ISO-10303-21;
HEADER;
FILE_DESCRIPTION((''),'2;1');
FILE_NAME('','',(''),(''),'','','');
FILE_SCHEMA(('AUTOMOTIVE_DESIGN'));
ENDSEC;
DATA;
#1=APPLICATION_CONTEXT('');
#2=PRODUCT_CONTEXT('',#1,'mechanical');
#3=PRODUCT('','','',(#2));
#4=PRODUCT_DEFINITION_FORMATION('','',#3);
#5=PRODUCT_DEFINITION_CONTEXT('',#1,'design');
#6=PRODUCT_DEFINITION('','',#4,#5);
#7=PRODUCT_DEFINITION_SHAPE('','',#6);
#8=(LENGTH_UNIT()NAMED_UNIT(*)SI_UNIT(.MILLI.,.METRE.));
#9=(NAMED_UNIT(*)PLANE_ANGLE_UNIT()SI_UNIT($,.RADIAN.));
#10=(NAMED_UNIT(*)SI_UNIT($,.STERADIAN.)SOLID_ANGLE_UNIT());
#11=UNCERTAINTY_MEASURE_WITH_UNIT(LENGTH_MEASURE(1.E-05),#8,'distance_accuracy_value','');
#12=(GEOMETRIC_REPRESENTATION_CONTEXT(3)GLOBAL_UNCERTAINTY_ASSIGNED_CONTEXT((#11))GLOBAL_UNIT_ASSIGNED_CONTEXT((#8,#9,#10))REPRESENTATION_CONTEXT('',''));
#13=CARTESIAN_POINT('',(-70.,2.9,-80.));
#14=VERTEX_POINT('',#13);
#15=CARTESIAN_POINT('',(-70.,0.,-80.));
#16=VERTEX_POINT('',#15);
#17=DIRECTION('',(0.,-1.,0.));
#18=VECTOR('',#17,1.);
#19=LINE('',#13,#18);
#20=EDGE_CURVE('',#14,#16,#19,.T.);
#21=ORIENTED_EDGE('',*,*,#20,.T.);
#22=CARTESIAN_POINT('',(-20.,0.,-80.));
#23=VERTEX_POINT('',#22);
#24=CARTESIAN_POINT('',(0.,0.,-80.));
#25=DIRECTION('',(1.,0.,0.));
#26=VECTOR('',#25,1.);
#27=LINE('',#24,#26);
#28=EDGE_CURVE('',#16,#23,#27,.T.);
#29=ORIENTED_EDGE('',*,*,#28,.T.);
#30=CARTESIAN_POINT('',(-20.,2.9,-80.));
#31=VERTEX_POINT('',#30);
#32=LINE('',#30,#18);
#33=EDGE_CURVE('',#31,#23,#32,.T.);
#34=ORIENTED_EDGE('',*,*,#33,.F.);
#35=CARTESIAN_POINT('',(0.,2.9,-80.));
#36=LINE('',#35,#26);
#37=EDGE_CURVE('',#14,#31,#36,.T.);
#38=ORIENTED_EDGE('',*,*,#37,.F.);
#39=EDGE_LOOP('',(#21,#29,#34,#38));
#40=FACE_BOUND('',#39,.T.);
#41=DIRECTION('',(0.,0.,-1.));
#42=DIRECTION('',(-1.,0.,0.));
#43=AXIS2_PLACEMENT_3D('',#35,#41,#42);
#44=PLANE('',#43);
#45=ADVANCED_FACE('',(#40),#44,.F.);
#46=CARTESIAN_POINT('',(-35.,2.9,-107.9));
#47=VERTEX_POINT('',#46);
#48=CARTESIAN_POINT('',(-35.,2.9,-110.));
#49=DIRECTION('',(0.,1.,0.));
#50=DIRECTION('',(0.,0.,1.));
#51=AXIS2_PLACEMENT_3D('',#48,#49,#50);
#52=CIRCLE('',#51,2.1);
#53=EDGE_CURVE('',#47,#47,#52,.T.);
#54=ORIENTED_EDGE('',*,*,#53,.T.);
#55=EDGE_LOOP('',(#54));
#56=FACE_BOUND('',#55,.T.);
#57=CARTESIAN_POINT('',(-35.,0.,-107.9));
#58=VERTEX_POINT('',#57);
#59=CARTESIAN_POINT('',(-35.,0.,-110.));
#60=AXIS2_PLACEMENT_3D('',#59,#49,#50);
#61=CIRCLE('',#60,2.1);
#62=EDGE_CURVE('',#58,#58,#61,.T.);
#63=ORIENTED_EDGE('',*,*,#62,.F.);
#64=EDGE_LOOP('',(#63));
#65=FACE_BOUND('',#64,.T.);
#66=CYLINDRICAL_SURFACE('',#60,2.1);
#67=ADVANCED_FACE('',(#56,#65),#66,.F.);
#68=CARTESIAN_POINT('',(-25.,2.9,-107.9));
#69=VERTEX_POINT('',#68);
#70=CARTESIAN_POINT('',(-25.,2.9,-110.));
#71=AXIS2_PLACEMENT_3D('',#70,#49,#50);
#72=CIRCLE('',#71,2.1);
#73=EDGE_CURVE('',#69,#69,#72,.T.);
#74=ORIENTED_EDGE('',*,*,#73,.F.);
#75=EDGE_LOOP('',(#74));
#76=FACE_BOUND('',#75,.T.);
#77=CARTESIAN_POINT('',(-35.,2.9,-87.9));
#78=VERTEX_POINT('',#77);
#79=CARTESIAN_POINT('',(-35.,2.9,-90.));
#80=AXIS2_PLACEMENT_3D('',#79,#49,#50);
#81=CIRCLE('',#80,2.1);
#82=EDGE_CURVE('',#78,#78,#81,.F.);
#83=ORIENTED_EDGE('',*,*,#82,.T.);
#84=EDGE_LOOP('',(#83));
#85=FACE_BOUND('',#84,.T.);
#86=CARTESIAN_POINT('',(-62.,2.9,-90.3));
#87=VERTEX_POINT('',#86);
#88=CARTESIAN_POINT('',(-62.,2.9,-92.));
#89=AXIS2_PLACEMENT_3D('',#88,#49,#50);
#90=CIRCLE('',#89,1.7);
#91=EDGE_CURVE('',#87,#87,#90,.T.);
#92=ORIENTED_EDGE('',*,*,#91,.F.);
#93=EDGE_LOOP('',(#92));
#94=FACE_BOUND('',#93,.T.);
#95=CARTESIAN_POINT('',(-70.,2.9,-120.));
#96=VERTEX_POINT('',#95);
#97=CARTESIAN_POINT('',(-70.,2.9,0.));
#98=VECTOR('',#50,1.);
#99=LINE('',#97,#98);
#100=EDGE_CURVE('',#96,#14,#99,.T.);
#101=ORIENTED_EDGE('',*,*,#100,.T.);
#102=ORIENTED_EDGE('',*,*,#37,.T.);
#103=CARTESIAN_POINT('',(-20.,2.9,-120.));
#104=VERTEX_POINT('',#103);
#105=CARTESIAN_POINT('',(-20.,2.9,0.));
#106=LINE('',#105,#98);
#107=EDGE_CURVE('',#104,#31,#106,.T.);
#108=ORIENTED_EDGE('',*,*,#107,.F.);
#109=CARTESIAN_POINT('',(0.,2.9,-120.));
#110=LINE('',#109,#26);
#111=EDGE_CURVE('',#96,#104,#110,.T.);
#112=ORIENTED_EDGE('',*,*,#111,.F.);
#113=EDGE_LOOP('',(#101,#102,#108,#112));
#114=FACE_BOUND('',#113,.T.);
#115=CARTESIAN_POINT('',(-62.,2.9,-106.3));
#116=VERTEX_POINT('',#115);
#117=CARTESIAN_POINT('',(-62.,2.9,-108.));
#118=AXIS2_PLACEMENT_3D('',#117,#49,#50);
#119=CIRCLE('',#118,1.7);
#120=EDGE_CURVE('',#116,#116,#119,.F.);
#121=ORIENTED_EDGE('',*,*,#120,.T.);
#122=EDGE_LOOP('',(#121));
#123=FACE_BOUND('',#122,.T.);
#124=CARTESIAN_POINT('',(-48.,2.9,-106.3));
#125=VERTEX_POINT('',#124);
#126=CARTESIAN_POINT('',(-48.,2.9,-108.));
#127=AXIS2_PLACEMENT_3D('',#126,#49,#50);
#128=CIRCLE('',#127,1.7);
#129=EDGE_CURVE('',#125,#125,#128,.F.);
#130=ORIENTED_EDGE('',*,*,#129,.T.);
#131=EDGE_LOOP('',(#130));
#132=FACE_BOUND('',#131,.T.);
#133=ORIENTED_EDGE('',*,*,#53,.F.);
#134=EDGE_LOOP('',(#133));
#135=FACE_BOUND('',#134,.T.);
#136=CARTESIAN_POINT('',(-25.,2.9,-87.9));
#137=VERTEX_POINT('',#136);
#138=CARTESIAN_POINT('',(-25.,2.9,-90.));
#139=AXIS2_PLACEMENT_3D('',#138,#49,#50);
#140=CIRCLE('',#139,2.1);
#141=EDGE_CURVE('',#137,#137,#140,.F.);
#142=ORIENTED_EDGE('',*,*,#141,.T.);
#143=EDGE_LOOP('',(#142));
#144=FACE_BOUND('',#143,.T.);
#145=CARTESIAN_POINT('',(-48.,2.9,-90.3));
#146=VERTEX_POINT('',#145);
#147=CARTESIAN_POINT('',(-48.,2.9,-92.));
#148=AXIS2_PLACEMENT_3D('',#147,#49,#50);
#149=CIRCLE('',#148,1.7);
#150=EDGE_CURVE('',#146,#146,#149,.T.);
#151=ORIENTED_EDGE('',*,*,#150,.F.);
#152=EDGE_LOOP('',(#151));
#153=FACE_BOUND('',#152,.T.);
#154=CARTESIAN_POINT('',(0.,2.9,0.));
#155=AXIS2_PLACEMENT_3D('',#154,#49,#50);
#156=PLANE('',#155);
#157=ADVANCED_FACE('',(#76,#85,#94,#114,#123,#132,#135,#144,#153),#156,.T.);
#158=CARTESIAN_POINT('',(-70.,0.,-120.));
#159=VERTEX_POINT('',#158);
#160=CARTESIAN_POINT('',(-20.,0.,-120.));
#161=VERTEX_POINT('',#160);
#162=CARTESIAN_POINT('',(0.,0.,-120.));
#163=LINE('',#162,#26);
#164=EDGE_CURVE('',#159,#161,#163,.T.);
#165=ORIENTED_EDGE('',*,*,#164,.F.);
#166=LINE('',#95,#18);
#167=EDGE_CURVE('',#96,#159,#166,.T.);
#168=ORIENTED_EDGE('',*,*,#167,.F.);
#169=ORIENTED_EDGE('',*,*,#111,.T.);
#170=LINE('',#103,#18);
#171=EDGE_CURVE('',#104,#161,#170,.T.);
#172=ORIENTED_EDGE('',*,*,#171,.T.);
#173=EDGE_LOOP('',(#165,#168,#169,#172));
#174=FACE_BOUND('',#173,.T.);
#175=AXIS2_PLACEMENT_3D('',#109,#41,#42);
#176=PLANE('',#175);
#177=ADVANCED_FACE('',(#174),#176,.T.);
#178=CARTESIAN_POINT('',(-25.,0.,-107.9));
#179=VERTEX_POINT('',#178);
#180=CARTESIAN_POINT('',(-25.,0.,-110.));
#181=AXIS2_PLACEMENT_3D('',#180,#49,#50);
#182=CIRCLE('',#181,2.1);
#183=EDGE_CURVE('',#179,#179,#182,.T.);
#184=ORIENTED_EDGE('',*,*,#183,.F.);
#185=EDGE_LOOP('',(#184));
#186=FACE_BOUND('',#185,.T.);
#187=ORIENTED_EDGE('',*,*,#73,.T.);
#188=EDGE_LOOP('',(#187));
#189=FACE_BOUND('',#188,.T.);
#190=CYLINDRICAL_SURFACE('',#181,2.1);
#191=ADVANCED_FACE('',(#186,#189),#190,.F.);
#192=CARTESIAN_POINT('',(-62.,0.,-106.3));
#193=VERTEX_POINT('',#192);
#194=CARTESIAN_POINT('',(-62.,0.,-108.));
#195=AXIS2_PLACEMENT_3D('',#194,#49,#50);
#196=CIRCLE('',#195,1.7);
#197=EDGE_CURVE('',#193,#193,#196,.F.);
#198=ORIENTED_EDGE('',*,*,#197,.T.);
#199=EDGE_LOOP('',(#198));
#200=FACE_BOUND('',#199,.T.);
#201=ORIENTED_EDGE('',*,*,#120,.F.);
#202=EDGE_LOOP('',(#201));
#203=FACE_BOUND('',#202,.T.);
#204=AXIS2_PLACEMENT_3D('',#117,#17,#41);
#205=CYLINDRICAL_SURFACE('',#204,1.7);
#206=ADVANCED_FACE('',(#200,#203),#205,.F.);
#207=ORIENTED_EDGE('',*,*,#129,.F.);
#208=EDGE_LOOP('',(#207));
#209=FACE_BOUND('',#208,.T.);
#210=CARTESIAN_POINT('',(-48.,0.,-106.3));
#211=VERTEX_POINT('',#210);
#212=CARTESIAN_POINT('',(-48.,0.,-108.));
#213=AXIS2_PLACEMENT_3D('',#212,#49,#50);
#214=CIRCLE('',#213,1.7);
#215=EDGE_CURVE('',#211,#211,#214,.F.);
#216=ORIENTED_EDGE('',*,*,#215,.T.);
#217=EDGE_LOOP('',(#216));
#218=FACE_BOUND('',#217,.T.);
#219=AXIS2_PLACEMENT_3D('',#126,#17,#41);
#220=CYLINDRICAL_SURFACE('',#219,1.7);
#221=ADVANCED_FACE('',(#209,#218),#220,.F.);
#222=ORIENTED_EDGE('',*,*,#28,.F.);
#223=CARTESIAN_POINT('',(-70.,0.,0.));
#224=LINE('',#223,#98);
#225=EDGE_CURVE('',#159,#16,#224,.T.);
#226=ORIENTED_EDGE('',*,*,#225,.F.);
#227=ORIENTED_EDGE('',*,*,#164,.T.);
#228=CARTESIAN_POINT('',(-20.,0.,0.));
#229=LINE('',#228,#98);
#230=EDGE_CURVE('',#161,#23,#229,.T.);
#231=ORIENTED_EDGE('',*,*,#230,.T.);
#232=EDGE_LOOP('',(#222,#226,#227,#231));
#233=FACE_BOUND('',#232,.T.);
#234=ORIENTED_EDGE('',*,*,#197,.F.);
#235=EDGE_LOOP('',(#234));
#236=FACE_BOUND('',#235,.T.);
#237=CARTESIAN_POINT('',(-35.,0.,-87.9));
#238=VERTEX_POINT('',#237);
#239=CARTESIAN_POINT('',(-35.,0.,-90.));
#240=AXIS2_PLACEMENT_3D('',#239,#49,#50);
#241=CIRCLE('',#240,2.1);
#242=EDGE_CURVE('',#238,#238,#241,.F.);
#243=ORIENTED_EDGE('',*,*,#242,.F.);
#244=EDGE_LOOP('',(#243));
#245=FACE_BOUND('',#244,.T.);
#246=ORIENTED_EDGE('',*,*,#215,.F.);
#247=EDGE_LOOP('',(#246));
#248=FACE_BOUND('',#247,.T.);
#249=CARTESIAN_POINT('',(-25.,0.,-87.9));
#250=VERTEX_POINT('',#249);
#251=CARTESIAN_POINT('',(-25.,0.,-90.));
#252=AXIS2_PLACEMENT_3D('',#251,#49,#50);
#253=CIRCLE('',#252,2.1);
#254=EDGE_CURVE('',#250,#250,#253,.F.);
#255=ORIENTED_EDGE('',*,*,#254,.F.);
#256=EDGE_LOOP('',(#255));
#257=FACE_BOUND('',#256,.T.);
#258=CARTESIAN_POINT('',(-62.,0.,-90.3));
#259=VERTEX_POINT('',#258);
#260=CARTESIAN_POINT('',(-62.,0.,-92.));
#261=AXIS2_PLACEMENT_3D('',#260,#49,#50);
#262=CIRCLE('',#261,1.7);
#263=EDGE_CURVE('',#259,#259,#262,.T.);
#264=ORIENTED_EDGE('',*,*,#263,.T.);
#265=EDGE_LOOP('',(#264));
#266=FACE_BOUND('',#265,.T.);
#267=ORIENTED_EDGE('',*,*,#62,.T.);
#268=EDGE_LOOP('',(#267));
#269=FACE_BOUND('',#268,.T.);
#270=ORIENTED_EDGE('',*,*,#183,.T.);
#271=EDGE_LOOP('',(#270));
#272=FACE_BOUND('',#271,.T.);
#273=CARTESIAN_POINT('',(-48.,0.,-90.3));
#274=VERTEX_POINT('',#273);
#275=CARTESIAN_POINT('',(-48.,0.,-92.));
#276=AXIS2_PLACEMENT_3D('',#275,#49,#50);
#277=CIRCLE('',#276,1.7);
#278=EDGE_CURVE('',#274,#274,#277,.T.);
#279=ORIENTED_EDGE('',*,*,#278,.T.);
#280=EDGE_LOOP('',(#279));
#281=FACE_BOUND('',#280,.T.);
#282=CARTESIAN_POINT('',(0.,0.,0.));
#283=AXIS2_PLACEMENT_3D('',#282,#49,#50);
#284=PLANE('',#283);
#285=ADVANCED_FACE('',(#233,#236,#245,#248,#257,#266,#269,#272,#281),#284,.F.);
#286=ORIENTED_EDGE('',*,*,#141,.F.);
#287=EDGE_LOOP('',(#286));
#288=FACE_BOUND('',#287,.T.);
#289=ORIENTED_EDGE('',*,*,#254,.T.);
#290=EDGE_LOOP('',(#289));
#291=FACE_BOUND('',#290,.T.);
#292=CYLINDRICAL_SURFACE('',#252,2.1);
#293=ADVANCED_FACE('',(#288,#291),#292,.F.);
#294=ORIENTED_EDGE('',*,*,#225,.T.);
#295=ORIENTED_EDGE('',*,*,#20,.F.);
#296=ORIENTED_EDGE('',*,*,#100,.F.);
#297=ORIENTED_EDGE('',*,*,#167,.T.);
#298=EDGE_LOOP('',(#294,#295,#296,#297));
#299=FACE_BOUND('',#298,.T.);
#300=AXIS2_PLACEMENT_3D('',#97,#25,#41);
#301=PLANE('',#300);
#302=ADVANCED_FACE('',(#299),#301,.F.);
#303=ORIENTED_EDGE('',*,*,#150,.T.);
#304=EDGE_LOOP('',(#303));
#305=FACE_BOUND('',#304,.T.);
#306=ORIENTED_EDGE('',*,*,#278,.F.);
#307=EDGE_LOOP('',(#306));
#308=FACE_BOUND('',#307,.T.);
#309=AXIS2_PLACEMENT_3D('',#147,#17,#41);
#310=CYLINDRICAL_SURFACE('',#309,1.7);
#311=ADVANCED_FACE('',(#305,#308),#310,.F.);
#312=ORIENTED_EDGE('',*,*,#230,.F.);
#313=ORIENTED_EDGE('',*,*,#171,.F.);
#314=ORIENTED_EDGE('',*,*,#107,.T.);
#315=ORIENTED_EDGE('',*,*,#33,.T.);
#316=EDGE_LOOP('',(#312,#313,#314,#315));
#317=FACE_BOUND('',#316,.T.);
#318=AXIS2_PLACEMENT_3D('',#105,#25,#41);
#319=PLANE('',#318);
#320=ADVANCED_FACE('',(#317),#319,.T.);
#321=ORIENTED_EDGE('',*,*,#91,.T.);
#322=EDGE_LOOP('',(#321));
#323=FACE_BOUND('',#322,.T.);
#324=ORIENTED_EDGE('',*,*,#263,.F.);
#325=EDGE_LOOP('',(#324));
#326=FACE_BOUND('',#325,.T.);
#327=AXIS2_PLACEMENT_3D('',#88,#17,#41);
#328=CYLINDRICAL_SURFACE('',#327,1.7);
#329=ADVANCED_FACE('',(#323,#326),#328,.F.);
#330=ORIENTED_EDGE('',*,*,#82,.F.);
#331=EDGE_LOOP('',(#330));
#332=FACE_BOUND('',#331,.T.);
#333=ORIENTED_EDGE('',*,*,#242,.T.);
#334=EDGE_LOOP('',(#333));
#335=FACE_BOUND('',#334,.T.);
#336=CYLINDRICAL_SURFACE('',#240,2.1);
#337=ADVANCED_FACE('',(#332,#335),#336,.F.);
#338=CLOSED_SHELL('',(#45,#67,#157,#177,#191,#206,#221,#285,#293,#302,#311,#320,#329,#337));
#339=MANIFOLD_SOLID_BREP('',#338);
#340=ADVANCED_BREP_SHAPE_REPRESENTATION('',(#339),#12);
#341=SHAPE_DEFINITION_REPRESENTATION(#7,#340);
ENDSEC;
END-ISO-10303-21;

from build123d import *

# Parameters (mm, degrees)
SKETCH_1_R          = 1.7
SKETCH_1_W          = 5
SKETCH_1_H          = 13
SKETCH_1_H_2        = 2
EXTRUDE_3_DEPTH     = 2.9
SKETCH_3_R          = 2.1
CUT_EXTRUDE_3_DEPTH = 2.9


with BuildPart() as part:
    # 草图1 → 凸台-拉伸3 (new body)
    # profile 1 of 10: a face of its own
    with BuildSketch(Plane(origin=(0, 0, 0), x_dir=(1, 0, 0), z_dir=(0, 1, 0))):
        with BuildLine():
            Line((-40, 113), (-70, 113))
            Line((-70, 113), (-70, 108))
            Line((-70, 108), (-70, 92))
            Line((-70, 92), (-63.7, 92))
            ThreePointArc((-63.7, 92), (-62, 93.7), (-60.3, 92))
            ThreePointArc((-60.3, 92), (-60.797918472, 90.797918472), (-62, 90.3))
            Line((-62, 90.3), (-62, 87))
            Line((-62, 87), (-48, 87))
            Line((-48, 87), (-48, 90.3))
            ThreePointArc((-48, 90.3), (-49.202081528, 93.202081528), (-46.3, 92))
            Line((-46.3, 92), (-40, 92))
            Line((-40, 92), (-40, 113))
        make_face()
        with Locations(Location((-62, 108, 0), (0, 0, 270))):
            Circle(SKETCH_1_R, mode=Mode.SUBTRACT)
        with Locations(Location((-48, 108, 0), (0, 0, 270))):
            Circle(SKETCH_1_R, mode=Mode.SUBTRACT)
    # profile 2 of 10: a face of its own
    with BuildSketch(Plane(origin=(0, 0, 0), x_dir=(1, 0, 0), z_dir=(0, 1, 0))):
        with BuildLine():
            Line((-70, 92), (-70, 87))
            Line((-70, 87), (-62, 87))
            Line((-62, 87), (-62, 90.3))
            ThreePointArc((-62, 90.3), (-63.202081528, 90.797918472), (-63.7, 92))
            Line((-63.7, 92), (-70, 92))
        make_face()
    # profile 3 of 10: a face of its own
    with BuildSketch(Plane(origin=(0, 0, 0), x_dir=(1, 0, 0), z_dir=(0, 1, 0))):
        with BuildLine():
            Line((-48, 90.3), (-48, 87))
            Line((-48, 87), (-40, 87))
            Line((-40, 87), (-40, 92))
            Line((-40, 92), (-46.3, 92))
            ThreePointArc((-46.3, 92), (-46.797918472, 90.797918472), (-48, 90.3))
        make_face()
    # profile 4 of 10: a face of its own
    with BuildSketch(Plane(origin=(0, 0, 0), x_dir=(1, 0, 0), z_dir=(0, 1, 0))):
        Polygon((-70, 87), (-70, 80), (-20, 80), (-20, 85), (-25, 85), (-25, 87), (-40, 87), (-48, 87), (-62, 87), align=None)
    # profile 5 of 10: a face of its own
    with BuildSketch(Plane(origin=(0, 0, 0), x_dir=(1, 0, 0), z_dir=(0, 1, 0))):
        Polygon((-25, 113), (-40, 113), (-40, 92), (-40, 87), (-25, 87), (-25, 100), align=None)
    # profile 6 of 10: a face of its own
    with BuildSketch(Plane(origin=(0, 0, 0), x_dir=(1, 0, 0), z_dir=(0, 1, 0))):
        with Locations((-22.5, 93.5)):
            Rectangle(SKETCH_1_W, SKETCH_1_H)
    # profile 7 of 10: a face of its own
    with BuildSketch(Plane(origin=(0, 0, 0), x_dir=(1, 0, 0), z_dir=(0, 1, 0))):
        with Locations((-22.5, 106.5)):
            Rectangle(SKETCH_1_W, SKETCH_1_H)
    # profile 8 of 10: a face of its own
    with BuildSketch(Plane(origin=(0, 0, 0), x_dir=(1, 0, 0), z_dir=(0, 1, 0))):
        with Locations((-22.5, 86)):
            Rectangle(SKETCH_1_W, SKETCH_1_H_2)
    # profile 9 of 10: a face of its own
    with BuildSketch(Plane(origin=(0, 0, 0), x_dir=(1, 0, 0), z_dir=(0, 1, 0))):
        Polygon((-20, 120), (-70, 120), (-70, 113), (-40, 113), (-25, 113), (-25, 115), (-20, 115), align=None)
    # profile 10 of 10: a face of its own
    with BuildSketch(Plane(origin=(0, 0, 0), x_dir=(1, 0, 0), z_dir=(0, 1, 0))):
        with Locations((-22.5, 114)):
            Rectangle(SKETCH_1_W, SKETCH_1_H_2)
    extrude(amount=EXTRUDE_3_DEPTH)

    # 草图3 → 切除-拉伸3 (cut)
    with BuildSketch(Plane(origin=(0, 2.9, 0), x_dir=(1, 0, 0), z_dir=(0, 1, 0))):
        with Locations(Location((-25, 110, 0), (0, 0, 270))):
            Circle(SKETCH_3_R)
        with Locations(Location((-25, 90, 0), (0, 0, 270))):
            Circle(SKETCH_3_R)
        with Locations(Location((-35, 90, 0), (0, 0, 270))):
            Circle(SKETCH_3_R)
        with Locations(Location((-35, 110, 0), (0, 0, 270))):
            Circle(SKETCH_3_R)
    extrude(amount=-CUT_EXTRUDE_3_DEPTH, mode=Mode.SUBTRACT)


solid = part.part
